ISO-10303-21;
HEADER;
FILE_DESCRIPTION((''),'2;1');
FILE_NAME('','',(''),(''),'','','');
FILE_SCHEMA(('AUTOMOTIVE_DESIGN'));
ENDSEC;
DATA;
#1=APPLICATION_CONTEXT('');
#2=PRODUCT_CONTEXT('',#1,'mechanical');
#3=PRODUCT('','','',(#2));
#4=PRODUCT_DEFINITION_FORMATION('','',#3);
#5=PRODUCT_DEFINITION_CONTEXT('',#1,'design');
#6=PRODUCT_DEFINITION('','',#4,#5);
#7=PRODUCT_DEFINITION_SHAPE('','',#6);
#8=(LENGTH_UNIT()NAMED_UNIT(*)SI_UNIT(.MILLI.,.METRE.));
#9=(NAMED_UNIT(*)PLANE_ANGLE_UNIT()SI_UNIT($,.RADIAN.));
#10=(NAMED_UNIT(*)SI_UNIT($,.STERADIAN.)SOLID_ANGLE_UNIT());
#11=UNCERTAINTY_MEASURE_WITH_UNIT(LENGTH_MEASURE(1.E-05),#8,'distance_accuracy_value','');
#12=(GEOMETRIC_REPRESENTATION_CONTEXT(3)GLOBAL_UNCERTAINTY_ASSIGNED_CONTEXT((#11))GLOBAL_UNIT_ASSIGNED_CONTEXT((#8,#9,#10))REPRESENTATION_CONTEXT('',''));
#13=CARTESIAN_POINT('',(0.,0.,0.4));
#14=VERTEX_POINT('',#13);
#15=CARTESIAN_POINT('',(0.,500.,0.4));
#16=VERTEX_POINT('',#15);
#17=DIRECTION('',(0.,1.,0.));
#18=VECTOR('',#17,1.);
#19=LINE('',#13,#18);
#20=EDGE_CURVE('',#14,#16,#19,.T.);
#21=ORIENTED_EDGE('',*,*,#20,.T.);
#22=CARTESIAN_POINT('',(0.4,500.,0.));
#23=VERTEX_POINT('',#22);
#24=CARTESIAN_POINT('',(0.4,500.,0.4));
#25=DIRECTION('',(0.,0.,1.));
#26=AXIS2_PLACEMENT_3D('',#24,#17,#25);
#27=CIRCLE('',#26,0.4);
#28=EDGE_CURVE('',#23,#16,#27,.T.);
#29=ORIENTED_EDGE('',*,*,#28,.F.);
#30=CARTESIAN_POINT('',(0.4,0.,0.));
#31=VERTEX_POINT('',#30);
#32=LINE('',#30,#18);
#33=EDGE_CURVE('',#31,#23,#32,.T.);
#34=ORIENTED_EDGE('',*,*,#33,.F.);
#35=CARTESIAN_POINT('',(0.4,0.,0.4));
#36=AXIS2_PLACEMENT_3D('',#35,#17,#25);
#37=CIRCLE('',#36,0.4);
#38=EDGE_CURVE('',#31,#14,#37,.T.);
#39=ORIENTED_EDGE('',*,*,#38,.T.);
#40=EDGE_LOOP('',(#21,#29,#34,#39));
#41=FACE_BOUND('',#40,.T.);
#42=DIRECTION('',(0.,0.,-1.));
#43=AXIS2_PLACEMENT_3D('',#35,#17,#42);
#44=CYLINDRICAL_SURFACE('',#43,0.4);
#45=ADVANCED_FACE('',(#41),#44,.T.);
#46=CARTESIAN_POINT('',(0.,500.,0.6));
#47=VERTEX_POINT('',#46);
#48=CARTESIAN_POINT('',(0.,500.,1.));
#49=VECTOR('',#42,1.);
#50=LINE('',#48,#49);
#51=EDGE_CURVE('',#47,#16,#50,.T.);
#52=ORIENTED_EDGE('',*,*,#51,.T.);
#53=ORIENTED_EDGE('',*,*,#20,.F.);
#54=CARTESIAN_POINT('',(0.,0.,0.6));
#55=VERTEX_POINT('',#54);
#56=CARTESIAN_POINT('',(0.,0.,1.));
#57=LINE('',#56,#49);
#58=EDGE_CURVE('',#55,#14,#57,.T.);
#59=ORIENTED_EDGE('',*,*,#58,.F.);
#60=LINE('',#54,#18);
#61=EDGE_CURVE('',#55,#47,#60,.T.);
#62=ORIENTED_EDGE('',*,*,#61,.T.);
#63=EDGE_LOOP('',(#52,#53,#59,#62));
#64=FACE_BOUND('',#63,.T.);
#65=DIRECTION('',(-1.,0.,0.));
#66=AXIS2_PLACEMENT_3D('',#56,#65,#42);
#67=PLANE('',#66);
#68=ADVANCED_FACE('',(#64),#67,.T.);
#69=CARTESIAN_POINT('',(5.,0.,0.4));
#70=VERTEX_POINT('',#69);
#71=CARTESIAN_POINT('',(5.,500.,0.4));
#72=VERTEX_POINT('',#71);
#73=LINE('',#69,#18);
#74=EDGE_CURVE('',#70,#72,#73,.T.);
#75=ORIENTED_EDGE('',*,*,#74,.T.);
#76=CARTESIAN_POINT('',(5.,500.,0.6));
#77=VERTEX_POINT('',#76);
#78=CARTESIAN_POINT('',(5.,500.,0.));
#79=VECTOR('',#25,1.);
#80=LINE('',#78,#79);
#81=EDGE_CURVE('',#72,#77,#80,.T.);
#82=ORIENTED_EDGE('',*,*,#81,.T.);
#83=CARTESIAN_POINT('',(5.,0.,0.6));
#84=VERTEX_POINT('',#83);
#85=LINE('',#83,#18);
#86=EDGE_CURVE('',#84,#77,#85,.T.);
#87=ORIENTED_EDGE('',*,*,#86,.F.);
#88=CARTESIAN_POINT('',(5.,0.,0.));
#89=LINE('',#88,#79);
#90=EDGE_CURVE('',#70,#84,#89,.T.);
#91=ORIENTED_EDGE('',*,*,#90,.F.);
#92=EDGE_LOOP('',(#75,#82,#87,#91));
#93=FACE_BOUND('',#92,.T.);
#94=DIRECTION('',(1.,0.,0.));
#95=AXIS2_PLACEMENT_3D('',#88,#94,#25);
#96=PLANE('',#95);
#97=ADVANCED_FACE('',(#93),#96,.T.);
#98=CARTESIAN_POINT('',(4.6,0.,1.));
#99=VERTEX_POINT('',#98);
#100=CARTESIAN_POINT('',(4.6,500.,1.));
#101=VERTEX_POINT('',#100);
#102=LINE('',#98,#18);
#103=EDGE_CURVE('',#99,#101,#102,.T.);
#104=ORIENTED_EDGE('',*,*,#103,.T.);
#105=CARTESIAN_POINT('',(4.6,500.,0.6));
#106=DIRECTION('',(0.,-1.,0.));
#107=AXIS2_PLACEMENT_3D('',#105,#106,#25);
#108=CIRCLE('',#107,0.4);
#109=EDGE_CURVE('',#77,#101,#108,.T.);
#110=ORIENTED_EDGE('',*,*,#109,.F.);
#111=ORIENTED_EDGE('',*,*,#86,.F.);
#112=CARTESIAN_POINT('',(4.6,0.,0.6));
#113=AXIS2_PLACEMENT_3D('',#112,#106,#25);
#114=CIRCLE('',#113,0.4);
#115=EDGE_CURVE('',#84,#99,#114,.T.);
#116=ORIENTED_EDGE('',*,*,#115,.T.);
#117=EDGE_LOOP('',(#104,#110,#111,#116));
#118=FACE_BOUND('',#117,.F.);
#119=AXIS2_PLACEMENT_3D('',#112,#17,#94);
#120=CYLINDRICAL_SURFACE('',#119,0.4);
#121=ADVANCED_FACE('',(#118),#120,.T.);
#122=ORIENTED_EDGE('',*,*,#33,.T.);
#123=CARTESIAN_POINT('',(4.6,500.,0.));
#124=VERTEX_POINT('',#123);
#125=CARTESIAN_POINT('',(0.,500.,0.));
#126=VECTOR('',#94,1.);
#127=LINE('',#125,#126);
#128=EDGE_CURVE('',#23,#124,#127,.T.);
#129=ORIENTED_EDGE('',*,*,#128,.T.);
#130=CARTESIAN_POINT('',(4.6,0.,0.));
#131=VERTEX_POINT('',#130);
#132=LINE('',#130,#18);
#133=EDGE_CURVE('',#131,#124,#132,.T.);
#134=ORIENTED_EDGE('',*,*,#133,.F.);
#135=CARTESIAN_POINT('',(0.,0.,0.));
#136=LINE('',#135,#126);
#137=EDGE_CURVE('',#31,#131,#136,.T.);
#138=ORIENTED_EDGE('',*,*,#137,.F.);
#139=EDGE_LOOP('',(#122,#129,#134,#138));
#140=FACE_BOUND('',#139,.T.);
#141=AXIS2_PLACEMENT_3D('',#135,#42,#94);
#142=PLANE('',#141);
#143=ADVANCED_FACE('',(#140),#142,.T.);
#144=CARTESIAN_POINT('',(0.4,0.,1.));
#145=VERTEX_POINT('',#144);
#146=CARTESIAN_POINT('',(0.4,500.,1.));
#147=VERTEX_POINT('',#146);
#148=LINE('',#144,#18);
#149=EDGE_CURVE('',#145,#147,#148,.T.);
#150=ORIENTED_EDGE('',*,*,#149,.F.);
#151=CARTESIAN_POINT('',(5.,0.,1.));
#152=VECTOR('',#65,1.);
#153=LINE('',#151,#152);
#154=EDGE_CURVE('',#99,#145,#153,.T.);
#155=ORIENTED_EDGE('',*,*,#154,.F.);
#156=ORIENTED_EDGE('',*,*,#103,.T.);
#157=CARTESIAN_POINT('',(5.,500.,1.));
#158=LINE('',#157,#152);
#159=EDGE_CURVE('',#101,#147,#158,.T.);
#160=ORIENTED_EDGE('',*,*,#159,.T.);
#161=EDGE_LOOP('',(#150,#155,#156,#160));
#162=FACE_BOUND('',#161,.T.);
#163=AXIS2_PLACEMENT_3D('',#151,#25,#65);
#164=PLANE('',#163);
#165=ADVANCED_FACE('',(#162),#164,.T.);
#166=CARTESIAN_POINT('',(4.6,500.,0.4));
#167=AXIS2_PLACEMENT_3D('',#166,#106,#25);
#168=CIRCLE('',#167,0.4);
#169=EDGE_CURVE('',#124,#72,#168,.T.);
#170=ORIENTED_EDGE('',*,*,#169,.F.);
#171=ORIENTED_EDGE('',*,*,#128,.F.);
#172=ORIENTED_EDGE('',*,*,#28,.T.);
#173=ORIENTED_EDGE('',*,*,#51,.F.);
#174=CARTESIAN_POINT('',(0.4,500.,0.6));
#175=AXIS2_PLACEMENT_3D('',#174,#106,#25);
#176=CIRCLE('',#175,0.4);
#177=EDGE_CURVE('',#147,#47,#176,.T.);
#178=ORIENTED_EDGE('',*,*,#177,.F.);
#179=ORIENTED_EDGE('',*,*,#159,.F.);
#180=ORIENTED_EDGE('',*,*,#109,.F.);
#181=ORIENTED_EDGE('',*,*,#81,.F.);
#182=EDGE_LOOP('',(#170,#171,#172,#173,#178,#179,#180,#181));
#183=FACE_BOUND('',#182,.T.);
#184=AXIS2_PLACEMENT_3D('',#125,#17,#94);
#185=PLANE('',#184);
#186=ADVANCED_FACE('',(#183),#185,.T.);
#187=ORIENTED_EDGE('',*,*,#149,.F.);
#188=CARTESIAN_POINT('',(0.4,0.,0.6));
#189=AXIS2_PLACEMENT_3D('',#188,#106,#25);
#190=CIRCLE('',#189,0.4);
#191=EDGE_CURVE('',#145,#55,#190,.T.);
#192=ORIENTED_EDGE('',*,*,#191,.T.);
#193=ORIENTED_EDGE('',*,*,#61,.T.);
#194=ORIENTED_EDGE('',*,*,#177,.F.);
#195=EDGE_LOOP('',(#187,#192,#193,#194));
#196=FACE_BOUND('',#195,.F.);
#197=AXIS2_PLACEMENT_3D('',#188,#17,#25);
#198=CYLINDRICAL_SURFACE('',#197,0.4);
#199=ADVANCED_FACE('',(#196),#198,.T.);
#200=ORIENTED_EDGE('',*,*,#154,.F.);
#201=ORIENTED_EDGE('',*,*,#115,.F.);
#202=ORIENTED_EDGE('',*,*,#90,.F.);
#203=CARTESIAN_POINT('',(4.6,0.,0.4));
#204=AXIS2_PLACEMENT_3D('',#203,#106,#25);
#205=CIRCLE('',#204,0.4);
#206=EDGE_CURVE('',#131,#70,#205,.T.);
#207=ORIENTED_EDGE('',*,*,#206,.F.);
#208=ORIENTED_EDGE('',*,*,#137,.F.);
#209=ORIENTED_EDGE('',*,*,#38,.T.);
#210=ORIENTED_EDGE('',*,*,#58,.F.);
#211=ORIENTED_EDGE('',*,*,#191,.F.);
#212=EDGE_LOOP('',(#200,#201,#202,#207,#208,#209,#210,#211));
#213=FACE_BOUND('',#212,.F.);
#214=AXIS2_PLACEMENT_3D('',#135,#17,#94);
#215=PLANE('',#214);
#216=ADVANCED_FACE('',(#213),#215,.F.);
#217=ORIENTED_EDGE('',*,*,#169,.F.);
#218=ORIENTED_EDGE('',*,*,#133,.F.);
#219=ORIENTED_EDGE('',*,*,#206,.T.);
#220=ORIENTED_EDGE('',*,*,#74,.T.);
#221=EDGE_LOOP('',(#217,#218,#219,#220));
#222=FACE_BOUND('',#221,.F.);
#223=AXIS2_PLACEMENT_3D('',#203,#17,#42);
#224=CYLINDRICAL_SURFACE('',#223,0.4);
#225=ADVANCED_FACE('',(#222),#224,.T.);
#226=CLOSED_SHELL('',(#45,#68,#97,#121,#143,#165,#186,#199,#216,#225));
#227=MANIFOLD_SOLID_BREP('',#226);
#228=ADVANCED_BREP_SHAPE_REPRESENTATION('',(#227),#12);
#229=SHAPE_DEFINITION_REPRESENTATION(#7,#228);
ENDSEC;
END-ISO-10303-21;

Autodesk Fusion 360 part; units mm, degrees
sketch "Sketch1" plane through (0, 0, 0) normal (0, 1, 0) x (1, 0, 0)
  line L0 (0, 0) -> (5, 0)
  line L1 (5, 0) -> (5, -1)
  line L2 (5, -1) -> (0, -1)
  line L3 (0, -1) -> (0, 0)
  dimension "d1" = 5
  dimension "d2" = 1
extrude "Extrude1" add sketch "Sketch1" along normal blind 500
fillet "Fillet1" radius 0.4 4 edges at (5, 250, 1) (0, 250, 1) (0, 250, 0) (5, 250, 0)
